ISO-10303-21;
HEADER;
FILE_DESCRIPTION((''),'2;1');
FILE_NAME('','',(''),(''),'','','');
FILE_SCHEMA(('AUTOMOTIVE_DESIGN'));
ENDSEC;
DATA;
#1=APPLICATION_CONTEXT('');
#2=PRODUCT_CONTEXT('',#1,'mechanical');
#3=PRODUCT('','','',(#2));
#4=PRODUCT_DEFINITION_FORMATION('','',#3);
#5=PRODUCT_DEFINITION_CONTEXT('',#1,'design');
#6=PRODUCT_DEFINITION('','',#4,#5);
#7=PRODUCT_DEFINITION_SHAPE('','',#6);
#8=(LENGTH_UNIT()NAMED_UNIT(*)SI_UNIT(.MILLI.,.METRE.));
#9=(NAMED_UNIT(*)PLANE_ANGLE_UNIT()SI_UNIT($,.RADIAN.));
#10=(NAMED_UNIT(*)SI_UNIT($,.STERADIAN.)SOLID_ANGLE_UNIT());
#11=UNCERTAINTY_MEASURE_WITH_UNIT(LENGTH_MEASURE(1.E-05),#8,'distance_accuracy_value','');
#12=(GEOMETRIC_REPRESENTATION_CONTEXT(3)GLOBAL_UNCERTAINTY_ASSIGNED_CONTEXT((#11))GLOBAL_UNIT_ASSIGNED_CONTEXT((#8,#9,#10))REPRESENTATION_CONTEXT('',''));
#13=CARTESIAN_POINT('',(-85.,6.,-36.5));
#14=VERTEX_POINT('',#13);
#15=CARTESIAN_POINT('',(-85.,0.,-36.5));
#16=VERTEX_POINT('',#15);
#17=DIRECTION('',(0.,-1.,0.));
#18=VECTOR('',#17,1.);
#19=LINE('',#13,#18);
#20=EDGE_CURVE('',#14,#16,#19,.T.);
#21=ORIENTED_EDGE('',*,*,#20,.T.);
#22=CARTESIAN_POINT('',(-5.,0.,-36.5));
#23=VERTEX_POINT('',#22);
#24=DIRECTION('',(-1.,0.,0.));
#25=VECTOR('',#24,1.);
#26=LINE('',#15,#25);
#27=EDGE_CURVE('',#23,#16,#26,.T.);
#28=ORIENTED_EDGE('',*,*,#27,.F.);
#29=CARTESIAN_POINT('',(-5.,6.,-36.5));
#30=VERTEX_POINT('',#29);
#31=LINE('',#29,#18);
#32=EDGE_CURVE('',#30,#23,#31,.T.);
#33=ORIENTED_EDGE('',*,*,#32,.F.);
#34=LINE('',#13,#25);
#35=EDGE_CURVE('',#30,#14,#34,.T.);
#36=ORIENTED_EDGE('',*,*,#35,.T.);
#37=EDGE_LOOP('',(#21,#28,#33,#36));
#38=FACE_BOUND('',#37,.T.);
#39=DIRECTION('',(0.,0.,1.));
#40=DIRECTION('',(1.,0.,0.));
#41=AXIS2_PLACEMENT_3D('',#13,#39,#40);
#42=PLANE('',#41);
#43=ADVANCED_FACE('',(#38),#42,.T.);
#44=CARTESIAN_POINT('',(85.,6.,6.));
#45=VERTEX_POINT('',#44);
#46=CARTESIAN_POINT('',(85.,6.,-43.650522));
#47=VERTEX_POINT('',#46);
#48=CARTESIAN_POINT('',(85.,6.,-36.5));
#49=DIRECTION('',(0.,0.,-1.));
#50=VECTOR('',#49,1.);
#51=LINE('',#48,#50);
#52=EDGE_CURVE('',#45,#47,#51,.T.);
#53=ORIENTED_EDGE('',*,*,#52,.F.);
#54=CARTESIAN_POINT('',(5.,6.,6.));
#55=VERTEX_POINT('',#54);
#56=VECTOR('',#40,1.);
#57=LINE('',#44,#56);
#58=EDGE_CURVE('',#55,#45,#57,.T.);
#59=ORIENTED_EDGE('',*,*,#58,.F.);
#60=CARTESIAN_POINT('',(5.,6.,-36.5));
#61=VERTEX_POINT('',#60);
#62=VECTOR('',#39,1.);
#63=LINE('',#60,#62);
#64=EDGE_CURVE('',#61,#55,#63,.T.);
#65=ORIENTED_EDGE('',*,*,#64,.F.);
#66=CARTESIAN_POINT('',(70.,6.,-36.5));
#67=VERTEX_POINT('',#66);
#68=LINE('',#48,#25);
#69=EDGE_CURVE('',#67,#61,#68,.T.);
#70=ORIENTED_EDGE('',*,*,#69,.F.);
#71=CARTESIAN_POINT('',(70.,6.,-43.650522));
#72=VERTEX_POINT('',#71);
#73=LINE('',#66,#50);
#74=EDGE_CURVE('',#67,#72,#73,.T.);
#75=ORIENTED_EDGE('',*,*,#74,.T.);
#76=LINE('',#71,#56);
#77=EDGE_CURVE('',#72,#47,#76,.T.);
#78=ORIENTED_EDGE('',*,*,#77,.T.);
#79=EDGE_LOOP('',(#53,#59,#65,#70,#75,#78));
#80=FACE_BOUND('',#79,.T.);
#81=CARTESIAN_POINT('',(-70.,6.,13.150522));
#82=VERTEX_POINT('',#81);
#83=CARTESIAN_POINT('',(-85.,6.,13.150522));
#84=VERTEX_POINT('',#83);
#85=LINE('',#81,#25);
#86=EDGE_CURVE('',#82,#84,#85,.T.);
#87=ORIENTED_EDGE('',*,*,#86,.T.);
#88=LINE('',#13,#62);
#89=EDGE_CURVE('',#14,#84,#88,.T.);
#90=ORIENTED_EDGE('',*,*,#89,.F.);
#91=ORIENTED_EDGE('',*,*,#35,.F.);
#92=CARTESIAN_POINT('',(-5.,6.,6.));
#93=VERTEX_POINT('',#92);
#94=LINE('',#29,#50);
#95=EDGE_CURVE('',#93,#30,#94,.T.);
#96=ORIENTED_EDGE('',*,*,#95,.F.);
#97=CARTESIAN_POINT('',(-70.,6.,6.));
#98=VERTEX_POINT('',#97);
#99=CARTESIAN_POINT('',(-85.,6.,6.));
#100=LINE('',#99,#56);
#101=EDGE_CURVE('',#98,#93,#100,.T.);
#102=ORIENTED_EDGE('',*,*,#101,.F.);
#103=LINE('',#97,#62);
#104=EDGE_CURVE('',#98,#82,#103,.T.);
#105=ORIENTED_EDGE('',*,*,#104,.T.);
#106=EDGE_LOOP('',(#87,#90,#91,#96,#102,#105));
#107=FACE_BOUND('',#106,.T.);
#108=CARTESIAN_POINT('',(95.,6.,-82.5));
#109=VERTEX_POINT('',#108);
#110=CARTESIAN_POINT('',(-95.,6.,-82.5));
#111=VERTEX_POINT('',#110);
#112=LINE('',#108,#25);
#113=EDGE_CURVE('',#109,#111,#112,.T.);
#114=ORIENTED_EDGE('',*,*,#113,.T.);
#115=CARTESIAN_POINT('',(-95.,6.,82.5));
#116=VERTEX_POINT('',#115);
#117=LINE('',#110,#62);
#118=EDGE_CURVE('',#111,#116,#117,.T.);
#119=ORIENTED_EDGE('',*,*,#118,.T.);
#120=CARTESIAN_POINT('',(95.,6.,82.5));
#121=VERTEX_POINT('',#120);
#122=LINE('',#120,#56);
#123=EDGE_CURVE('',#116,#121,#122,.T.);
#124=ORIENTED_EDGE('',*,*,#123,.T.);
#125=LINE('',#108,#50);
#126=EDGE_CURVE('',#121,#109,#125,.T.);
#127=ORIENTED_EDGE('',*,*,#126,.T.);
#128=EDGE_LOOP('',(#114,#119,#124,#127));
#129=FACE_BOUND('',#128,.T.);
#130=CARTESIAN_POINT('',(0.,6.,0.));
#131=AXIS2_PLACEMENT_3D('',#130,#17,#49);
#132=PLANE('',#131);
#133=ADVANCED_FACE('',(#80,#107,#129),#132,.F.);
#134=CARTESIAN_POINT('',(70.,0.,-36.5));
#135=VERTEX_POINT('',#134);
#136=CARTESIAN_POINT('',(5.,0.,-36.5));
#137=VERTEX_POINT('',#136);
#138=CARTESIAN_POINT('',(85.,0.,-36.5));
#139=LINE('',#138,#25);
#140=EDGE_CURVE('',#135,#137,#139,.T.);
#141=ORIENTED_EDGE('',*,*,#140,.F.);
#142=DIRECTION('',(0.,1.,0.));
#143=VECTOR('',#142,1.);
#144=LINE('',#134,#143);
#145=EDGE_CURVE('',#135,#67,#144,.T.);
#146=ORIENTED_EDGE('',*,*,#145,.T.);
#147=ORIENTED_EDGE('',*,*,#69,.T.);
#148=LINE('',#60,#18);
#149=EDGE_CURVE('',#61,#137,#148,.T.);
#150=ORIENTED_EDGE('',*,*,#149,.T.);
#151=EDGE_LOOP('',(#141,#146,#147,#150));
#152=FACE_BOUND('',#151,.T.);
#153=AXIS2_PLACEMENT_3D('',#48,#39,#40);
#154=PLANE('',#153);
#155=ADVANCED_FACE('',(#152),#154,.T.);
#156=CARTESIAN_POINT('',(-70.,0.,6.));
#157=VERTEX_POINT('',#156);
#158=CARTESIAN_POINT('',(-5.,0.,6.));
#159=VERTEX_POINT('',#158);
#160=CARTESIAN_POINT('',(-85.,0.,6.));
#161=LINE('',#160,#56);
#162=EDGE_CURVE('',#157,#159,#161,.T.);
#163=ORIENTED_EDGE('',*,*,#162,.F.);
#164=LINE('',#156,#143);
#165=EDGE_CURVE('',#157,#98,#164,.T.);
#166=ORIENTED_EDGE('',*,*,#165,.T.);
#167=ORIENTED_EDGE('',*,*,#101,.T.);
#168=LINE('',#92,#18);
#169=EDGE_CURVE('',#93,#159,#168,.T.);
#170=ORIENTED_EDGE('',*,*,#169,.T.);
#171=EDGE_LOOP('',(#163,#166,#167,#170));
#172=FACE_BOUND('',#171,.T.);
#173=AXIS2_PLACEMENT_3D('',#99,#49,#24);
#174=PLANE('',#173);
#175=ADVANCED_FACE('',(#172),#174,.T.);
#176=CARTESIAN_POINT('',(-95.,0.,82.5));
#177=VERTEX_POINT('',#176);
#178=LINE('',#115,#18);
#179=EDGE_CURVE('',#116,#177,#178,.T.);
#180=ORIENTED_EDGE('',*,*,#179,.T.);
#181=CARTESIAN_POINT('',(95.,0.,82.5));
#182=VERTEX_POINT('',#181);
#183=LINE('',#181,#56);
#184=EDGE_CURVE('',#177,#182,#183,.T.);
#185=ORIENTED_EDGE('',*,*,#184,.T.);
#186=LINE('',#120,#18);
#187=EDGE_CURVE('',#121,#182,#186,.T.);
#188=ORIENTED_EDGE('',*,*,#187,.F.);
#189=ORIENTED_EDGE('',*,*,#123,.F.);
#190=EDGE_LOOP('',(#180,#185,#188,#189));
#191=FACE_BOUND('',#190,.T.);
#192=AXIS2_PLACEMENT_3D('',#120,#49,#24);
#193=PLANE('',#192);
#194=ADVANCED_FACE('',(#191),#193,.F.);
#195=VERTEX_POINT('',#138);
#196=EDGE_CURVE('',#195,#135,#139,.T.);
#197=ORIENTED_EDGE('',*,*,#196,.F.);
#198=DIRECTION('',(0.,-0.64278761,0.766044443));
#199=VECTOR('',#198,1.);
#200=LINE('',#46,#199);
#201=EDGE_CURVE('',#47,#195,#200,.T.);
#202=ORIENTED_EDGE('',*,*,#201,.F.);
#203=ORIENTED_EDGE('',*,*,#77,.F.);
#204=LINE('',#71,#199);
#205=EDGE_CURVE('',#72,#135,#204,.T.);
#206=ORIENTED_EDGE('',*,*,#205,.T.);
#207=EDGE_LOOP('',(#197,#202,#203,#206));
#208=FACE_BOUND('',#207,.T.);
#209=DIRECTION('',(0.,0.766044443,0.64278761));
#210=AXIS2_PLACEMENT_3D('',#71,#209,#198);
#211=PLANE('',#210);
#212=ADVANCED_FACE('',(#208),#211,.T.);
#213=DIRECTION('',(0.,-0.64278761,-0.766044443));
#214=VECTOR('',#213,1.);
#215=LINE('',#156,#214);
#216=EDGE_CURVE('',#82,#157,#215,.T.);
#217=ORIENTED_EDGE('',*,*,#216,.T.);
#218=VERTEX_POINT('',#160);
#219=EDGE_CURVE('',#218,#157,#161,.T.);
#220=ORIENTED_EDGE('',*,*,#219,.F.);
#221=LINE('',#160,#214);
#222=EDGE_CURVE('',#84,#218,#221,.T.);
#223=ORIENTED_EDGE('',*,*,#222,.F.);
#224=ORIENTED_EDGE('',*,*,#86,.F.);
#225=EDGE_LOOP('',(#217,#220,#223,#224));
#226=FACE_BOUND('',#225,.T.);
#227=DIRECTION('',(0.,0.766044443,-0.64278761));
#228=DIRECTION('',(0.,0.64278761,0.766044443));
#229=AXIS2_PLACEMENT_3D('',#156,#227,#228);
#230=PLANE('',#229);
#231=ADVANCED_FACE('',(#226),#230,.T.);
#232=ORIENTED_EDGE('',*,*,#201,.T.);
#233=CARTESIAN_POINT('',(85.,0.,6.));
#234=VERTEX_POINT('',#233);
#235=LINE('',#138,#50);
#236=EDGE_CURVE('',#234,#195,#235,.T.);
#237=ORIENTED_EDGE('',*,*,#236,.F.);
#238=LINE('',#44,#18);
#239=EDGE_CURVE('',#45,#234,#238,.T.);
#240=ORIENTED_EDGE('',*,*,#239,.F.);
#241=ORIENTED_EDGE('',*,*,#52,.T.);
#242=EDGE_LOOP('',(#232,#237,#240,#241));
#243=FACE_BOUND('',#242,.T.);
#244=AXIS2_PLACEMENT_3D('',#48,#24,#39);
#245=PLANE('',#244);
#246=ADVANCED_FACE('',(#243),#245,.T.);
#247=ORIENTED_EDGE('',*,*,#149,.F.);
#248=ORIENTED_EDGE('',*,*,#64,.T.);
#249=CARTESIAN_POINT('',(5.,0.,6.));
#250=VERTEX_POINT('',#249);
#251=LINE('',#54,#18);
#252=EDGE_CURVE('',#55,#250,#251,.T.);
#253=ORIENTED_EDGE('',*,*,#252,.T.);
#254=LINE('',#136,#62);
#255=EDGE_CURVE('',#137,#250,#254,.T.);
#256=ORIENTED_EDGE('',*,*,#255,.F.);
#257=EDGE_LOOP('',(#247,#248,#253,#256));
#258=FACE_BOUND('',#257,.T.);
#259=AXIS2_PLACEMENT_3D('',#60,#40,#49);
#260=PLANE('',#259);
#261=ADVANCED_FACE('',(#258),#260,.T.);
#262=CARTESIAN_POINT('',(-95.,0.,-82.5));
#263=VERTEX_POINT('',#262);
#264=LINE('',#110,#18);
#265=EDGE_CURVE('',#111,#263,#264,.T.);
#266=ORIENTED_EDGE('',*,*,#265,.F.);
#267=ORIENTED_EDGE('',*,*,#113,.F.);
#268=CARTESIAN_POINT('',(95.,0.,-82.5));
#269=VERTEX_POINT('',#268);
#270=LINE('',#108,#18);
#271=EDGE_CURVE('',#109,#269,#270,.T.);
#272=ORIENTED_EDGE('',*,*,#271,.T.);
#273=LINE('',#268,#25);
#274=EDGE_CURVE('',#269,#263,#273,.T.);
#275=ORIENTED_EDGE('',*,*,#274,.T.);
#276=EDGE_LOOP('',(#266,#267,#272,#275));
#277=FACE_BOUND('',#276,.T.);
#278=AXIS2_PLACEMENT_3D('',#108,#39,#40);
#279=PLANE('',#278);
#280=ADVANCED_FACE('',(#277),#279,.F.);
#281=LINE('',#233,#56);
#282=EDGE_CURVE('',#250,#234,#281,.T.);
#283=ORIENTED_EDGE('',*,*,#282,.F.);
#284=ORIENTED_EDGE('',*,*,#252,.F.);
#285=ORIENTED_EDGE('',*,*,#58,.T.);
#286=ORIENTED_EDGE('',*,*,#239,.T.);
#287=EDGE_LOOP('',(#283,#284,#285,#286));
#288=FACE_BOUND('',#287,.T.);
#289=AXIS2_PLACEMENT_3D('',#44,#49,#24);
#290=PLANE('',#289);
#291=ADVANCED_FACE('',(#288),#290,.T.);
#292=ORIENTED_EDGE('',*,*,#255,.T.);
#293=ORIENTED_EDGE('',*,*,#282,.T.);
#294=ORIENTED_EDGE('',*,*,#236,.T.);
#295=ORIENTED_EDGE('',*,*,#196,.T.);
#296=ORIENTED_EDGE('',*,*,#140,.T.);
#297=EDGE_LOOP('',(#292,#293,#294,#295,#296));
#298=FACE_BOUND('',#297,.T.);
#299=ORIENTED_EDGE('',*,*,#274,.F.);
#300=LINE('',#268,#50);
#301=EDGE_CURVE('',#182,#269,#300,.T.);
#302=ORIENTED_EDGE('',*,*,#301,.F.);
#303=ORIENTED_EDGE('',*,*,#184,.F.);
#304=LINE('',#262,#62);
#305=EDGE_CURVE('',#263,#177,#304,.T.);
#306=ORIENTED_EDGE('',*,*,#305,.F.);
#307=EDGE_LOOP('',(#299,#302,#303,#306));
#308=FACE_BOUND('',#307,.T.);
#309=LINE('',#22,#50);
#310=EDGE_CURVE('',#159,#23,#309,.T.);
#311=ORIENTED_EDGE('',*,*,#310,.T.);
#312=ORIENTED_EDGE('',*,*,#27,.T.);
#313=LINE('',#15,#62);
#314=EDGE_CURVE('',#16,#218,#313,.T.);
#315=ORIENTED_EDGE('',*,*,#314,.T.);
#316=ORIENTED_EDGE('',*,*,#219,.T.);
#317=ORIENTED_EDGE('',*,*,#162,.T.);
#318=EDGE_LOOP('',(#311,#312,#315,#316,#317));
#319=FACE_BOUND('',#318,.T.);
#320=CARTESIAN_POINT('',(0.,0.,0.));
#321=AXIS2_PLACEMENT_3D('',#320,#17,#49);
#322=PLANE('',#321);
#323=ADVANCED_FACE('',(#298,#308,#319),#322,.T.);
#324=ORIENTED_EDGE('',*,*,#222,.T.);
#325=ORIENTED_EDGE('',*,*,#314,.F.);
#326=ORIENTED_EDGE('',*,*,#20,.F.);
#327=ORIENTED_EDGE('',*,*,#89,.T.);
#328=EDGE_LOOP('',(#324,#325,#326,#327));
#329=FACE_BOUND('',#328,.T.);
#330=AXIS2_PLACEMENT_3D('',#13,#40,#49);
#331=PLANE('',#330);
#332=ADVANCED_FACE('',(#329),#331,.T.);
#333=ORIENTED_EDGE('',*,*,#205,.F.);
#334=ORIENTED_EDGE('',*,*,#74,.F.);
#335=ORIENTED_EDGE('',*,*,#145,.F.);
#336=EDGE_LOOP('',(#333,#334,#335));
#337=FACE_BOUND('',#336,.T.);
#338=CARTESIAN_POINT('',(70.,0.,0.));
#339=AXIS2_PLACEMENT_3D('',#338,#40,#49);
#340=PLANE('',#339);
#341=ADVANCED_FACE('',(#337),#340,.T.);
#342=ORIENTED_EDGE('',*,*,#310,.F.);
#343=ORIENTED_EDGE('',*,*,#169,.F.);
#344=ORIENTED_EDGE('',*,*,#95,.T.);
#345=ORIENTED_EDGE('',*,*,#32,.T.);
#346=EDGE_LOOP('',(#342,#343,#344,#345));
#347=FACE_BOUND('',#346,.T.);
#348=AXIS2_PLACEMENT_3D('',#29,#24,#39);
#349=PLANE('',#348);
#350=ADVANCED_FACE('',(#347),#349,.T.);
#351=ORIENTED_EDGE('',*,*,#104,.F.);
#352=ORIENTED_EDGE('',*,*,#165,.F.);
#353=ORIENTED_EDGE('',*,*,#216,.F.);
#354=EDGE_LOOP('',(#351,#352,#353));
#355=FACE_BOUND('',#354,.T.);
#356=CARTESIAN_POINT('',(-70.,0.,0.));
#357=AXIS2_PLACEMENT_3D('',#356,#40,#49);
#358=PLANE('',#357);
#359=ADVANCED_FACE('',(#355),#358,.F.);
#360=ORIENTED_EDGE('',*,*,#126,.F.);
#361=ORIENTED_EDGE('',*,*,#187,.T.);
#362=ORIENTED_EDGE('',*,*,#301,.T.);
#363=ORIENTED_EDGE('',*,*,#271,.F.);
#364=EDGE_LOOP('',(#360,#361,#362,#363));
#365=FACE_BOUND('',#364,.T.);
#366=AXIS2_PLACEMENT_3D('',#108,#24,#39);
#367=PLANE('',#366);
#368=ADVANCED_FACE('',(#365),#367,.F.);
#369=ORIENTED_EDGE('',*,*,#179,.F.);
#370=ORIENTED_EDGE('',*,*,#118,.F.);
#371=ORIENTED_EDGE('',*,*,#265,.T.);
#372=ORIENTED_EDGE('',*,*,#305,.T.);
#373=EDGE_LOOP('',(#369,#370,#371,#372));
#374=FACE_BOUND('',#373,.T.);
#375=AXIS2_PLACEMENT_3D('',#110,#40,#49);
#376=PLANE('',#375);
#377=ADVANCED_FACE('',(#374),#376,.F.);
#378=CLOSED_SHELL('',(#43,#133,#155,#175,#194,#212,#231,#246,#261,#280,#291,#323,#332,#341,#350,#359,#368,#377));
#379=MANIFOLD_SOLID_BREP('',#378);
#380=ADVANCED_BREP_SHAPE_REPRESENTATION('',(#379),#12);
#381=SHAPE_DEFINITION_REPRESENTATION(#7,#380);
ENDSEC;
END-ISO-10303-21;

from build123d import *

# Parameters (mm, degrees)
SKETCH1_W           = 190
SKETCH1_H           = 165
SKETCH1_W_2         = 80
SKETCH1_H_2         = 42.5
BOSS_EXTRUDE1_DEPTH = 6
CUT_EXTRUDE1_DEPTH  = 15
CUT_EXTRUDE2_DEPTH  = 15


with BuildPart() as part:
    # Sketch1 → Boss-Extrude1 (new body)
    with BuildSketch(Plane(origin=(0, 0, 0), x_dir=(1, 0, 0), z_dir=(0, 1, 0))):
        Rectangle(SKETCH1_W, SKETCH1_H)
        with Locations((45, 15.25)):
            Rectangle(SKETCH1_W_2, SKETCH1_H_2, mode=Mode.SUBTRACT)
        with Locations((-45, 15.25)):
            Rectangle(SKETCH1_W_2, SKETCH1_H_2, mode=Mode.SUBTRACT)
    extrude(amount=BOSS_EXTRUDE1_DEPTH)

    # Sketch2 → Cut-Extrude1 (cut)
    with BuildSketch(Plane.ZY.offset(-85)):
        Polygon((-43.650521556, 6), (-36.5, 0), (-36.5, 6), align=None)
    extrude(amount=CUT_EXTRUDE1_DEPTH, mode=Mode.SUBTRACT)

    # Sketch3 → Cut-Extrude2 (cut)
    with BuildSketch(Plane(origin=(-85, 0, 0), x_dir=(0, 0, -1), z_dir=(1, 0, 0))):
        Polygon((-6, 0), (-13.150521556, 6), (-6, 6), align=None)
    extrude(amount=CUT_EXTRUDE2_DEPTH, mode=Mode.SUBTRACT)


solid = part.part
